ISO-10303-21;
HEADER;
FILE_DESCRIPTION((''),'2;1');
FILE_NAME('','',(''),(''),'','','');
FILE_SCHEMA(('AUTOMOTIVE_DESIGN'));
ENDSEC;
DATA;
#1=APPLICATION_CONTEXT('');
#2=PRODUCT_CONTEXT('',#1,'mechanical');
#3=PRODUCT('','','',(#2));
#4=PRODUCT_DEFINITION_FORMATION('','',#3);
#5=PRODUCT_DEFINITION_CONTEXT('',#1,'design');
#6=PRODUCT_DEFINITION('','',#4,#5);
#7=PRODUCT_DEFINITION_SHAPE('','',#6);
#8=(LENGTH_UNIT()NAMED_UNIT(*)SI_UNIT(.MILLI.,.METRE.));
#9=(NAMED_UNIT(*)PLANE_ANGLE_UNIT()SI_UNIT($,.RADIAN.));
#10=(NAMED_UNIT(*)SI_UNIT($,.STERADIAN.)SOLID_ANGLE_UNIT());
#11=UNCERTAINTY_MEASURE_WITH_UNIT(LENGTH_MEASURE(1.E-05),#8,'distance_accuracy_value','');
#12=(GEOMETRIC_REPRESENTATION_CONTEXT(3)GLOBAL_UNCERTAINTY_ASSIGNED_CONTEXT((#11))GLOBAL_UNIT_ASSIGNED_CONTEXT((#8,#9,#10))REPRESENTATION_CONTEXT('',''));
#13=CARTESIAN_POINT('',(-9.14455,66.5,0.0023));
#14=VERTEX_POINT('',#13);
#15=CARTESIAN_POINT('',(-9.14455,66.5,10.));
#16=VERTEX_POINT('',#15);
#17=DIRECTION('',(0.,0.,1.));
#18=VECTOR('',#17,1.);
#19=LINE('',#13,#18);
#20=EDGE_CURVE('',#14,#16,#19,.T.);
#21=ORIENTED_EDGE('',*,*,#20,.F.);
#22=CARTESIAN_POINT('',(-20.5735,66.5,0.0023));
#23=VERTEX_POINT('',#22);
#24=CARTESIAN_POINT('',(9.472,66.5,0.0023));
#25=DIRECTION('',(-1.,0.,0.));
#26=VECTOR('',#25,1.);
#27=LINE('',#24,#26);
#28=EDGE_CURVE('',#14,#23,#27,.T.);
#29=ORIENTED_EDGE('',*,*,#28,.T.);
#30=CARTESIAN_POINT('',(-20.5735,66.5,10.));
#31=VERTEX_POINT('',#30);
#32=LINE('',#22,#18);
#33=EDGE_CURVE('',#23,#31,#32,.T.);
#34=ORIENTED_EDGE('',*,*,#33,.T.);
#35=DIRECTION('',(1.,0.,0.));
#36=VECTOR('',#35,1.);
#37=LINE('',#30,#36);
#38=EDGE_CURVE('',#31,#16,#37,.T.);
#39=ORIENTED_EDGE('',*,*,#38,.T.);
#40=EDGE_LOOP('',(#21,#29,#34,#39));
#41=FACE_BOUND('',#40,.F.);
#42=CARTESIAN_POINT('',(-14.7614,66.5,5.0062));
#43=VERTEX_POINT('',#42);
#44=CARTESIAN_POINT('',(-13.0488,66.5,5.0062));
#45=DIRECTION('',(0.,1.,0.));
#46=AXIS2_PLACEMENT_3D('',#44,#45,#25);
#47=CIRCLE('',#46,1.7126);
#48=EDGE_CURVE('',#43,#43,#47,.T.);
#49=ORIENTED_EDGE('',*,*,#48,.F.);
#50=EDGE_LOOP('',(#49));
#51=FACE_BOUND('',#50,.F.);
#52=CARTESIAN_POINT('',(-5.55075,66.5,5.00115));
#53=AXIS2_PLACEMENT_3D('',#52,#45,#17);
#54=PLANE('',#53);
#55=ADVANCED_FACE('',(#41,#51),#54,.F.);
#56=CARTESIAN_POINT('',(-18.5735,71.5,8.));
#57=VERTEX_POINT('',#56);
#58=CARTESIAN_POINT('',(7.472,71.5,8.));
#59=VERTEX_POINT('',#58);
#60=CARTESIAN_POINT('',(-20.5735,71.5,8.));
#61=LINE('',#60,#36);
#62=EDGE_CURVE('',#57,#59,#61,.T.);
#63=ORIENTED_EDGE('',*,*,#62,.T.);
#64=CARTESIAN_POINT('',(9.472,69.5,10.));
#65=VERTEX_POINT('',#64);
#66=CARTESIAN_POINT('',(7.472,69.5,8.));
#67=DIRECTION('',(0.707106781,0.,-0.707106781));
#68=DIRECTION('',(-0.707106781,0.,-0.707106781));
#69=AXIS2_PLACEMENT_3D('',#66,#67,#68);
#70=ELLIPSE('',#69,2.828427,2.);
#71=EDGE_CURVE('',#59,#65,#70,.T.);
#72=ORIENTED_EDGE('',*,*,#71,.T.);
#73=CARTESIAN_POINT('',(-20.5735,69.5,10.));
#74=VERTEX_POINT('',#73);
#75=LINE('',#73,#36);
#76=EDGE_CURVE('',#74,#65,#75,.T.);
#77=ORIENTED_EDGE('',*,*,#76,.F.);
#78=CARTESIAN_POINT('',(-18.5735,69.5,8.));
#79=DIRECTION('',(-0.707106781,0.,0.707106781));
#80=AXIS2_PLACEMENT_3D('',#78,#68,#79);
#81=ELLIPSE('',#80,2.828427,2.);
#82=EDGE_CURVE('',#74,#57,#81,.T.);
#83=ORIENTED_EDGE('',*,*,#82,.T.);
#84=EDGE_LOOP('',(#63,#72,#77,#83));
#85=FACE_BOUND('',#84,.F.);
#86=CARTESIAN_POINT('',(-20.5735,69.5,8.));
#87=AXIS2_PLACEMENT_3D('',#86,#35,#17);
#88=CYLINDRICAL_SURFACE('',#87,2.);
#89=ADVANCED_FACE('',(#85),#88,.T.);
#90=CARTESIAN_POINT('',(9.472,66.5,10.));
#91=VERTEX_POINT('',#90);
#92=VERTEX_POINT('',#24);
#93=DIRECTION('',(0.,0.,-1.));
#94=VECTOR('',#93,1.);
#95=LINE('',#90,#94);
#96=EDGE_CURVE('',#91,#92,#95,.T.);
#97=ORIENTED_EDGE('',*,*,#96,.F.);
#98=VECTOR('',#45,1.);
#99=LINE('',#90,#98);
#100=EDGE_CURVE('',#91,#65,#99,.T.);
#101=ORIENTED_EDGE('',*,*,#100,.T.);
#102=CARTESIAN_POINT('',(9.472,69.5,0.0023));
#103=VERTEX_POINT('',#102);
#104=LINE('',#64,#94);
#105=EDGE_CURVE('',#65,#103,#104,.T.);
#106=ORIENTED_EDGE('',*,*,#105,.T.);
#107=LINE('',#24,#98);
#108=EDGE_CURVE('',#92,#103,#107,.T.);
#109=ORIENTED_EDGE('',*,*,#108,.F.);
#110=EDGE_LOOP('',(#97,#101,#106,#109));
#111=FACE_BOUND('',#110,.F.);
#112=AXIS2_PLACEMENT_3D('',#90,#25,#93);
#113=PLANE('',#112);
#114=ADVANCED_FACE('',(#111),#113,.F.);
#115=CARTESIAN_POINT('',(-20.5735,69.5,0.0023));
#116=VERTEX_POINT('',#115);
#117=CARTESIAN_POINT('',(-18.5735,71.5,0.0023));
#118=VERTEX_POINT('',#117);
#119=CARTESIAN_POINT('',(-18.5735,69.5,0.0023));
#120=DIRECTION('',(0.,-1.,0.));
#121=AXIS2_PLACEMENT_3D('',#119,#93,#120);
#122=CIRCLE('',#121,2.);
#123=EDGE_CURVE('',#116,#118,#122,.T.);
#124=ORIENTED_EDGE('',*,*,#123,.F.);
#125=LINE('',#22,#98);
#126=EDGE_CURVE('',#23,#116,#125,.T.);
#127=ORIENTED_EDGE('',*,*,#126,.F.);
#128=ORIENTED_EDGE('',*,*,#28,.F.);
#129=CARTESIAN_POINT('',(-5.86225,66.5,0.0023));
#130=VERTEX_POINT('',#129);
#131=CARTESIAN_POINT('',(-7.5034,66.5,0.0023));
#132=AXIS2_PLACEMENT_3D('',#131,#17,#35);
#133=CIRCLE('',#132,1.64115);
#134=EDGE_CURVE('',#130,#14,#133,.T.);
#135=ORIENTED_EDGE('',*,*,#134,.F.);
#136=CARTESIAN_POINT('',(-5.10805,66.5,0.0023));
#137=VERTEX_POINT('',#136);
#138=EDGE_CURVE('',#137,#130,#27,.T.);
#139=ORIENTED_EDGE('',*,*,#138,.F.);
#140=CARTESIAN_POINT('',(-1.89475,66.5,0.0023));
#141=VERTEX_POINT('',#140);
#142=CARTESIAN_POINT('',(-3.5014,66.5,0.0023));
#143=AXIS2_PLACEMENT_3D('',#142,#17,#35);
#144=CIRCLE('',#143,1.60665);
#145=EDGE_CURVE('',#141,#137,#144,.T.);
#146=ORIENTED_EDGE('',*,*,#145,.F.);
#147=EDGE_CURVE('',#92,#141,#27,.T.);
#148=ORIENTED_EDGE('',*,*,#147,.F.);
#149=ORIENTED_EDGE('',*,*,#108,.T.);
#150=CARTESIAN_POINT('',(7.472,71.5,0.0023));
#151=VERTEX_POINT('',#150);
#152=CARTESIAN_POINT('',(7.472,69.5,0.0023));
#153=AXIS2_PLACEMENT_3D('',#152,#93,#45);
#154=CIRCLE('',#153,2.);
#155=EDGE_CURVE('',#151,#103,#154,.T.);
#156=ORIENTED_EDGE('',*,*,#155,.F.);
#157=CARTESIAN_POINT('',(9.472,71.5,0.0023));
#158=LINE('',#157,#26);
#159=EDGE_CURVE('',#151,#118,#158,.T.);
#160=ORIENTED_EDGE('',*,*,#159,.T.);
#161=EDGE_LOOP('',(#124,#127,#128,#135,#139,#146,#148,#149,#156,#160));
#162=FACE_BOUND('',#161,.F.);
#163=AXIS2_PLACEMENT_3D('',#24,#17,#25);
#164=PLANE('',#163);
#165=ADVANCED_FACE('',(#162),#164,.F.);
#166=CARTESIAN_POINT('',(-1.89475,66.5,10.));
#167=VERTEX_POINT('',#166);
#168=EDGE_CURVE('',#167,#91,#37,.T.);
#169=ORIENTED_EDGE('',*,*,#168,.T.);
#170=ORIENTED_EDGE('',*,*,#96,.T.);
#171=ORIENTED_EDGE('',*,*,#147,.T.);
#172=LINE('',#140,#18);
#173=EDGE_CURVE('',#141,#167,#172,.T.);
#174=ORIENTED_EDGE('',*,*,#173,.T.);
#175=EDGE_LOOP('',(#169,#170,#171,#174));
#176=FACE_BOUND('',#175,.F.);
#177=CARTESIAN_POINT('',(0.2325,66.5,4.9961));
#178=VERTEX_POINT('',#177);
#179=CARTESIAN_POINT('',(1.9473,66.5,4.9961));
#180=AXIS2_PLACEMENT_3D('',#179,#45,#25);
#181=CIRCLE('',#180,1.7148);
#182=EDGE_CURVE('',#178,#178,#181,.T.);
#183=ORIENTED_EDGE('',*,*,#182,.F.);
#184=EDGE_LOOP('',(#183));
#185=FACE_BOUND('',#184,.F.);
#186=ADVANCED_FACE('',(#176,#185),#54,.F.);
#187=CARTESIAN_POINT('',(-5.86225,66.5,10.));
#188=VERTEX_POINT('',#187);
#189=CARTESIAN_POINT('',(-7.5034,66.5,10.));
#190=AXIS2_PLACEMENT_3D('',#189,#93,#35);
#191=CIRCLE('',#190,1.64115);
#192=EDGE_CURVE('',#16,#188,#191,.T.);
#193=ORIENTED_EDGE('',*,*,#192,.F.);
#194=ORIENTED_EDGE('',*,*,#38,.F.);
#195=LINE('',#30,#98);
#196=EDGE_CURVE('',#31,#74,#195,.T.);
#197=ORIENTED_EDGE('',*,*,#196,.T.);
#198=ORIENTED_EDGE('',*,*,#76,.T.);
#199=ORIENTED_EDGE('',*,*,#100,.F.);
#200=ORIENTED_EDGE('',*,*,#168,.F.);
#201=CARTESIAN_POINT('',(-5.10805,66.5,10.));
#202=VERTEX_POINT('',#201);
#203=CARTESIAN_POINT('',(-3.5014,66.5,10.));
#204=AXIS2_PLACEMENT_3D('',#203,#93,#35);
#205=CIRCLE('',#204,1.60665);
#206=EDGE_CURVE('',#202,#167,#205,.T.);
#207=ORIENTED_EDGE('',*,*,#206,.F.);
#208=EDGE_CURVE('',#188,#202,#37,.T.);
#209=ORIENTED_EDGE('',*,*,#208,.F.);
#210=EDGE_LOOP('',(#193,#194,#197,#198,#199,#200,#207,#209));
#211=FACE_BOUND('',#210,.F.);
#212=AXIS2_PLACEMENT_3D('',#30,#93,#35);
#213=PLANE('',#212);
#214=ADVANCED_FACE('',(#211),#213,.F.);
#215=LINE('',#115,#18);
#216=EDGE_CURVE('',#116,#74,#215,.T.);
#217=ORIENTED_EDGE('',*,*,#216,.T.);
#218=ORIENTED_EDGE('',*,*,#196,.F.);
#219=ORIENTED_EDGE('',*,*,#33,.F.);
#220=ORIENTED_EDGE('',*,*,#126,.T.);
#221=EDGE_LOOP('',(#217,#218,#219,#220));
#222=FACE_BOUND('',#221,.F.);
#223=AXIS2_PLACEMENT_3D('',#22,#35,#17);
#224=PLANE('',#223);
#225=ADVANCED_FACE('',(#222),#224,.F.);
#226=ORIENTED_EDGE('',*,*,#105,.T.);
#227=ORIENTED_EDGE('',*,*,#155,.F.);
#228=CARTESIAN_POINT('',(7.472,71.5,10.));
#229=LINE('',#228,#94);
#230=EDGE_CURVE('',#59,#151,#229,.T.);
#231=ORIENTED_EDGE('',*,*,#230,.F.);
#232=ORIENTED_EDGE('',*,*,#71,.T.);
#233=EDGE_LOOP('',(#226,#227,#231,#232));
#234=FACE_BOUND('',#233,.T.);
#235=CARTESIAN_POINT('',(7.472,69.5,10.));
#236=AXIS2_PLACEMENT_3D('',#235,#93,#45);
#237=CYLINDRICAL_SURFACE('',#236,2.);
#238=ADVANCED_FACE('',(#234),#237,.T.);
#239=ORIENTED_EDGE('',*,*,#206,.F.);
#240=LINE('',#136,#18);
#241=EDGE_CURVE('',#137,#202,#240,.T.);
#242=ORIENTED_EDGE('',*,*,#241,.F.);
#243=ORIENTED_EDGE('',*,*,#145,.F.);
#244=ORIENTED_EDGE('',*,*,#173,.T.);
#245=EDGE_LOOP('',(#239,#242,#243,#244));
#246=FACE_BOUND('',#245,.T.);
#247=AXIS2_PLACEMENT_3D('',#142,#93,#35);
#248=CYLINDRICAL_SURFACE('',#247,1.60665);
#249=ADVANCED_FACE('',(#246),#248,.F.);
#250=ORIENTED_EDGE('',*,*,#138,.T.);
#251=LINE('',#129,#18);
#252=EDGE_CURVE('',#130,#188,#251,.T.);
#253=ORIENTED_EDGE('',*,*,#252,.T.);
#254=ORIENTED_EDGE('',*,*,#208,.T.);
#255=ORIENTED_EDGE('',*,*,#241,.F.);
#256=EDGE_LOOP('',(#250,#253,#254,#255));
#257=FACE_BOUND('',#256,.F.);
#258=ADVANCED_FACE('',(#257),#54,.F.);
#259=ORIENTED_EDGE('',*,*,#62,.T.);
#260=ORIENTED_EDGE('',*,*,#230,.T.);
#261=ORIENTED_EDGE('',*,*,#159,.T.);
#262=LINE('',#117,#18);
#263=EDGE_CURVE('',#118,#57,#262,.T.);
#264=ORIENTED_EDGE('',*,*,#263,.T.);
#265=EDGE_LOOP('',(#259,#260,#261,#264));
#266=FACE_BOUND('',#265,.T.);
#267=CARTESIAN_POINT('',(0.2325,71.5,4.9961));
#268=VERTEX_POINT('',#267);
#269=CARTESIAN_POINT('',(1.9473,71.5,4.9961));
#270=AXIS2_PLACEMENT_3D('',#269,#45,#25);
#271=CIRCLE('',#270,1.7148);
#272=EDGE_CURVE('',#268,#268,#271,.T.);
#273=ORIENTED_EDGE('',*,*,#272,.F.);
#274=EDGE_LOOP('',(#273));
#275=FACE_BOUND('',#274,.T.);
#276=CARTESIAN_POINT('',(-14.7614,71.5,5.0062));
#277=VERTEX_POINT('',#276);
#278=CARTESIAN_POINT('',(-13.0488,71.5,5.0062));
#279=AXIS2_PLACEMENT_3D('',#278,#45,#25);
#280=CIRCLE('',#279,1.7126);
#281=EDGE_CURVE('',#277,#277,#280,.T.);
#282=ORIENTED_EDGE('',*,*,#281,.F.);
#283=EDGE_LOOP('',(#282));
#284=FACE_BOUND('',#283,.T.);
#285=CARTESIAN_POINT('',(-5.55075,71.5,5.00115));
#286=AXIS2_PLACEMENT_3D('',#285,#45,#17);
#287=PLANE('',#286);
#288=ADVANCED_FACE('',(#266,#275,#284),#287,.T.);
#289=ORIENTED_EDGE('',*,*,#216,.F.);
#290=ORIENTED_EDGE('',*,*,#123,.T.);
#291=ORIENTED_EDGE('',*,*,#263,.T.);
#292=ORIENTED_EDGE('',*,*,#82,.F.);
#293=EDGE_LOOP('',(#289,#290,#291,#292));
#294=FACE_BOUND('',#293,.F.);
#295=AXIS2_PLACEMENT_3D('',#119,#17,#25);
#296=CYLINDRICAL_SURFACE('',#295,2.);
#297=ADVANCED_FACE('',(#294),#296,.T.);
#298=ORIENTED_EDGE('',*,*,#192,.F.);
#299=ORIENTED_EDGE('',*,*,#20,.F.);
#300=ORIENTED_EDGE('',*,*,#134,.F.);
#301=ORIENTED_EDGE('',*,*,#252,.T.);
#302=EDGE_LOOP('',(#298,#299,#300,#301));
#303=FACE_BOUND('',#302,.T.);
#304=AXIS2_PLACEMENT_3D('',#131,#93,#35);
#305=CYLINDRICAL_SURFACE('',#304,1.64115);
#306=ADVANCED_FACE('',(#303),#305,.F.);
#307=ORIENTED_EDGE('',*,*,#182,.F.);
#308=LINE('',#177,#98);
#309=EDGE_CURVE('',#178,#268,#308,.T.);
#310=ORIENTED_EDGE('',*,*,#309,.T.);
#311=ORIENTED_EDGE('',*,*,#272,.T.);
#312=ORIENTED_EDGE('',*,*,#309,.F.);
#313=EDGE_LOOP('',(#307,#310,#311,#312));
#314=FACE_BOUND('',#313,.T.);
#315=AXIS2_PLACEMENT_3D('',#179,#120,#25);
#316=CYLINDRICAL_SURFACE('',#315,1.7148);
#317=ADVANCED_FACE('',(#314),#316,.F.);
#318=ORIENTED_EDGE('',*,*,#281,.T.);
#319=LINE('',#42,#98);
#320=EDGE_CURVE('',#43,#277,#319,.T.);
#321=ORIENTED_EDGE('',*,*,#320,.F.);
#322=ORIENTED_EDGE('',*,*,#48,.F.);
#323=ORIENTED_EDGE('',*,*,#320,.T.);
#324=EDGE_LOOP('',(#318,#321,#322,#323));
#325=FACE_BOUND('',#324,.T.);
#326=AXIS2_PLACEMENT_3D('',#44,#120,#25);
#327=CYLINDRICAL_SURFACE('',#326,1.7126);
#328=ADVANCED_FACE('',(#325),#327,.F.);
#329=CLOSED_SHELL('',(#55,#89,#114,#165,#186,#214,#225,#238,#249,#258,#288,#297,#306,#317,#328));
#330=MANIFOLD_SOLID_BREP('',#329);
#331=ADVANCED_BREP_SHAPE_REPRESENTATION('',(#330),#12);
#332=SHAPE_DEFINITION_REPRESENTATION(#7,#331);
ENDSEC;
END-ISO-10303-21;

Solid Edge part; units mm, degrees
sketch "Sketch1" plane through (0, 66.5, 0) normal (0, 1, 0) x (-1, 0, 0)
  circle A0 centre (13.0488, 5.0062) radius 1.7126
  line L0 (20.5735, 0.0023) -> (20.5735, 10)
  line L1 (20.5735, 10) -> (-9.472, 10)
  line L2 (-9.472, 10) -> (-9.472, 0.0023)
  line L3 (-9.472, 0.0023) -> (20.5735, 0.0023)
  circle A1 centre (-1.9473, 4.9961) radius 1.7148
  dimension "D1" = 3.4295
  dimension "D2" = 3.4252
  dimension "D3" = 14.9961
  dimension "D4" = 30.0454
  dimension "D5" = 9.9977
extrude "Protrusion1" add sketch "Sketch1" along normal blind 5
sketch "Sketch2" plane through (-5.5507, 69, 0.0023) normal (0, 0, -1) x (1, 0, 0)
  arc A0 (3.6559, 2.5) -> (0.4426, 2.5) centre (2.0493, 2.5) cw
  line L0 (3.6559, 2.5) -> (0.4426, 2.5)
  arc A1 (-0.3116, 2.5) -> (-3.5939, 2.5) centre (-1.9527, 2.5) cw
  line L1 (-0.3116, 2.5) -> (-3.5939, 2.5)
extrude "ExtrudedCutout_1" cut sketch "Sketch2" against normal blind 32
fillet "Round_1" radius 2 3 edges at (9.472, 71.5, 5.0011) (-20.5735, 71.5, 5.0011) (-5.5507, 71.5, 10)
